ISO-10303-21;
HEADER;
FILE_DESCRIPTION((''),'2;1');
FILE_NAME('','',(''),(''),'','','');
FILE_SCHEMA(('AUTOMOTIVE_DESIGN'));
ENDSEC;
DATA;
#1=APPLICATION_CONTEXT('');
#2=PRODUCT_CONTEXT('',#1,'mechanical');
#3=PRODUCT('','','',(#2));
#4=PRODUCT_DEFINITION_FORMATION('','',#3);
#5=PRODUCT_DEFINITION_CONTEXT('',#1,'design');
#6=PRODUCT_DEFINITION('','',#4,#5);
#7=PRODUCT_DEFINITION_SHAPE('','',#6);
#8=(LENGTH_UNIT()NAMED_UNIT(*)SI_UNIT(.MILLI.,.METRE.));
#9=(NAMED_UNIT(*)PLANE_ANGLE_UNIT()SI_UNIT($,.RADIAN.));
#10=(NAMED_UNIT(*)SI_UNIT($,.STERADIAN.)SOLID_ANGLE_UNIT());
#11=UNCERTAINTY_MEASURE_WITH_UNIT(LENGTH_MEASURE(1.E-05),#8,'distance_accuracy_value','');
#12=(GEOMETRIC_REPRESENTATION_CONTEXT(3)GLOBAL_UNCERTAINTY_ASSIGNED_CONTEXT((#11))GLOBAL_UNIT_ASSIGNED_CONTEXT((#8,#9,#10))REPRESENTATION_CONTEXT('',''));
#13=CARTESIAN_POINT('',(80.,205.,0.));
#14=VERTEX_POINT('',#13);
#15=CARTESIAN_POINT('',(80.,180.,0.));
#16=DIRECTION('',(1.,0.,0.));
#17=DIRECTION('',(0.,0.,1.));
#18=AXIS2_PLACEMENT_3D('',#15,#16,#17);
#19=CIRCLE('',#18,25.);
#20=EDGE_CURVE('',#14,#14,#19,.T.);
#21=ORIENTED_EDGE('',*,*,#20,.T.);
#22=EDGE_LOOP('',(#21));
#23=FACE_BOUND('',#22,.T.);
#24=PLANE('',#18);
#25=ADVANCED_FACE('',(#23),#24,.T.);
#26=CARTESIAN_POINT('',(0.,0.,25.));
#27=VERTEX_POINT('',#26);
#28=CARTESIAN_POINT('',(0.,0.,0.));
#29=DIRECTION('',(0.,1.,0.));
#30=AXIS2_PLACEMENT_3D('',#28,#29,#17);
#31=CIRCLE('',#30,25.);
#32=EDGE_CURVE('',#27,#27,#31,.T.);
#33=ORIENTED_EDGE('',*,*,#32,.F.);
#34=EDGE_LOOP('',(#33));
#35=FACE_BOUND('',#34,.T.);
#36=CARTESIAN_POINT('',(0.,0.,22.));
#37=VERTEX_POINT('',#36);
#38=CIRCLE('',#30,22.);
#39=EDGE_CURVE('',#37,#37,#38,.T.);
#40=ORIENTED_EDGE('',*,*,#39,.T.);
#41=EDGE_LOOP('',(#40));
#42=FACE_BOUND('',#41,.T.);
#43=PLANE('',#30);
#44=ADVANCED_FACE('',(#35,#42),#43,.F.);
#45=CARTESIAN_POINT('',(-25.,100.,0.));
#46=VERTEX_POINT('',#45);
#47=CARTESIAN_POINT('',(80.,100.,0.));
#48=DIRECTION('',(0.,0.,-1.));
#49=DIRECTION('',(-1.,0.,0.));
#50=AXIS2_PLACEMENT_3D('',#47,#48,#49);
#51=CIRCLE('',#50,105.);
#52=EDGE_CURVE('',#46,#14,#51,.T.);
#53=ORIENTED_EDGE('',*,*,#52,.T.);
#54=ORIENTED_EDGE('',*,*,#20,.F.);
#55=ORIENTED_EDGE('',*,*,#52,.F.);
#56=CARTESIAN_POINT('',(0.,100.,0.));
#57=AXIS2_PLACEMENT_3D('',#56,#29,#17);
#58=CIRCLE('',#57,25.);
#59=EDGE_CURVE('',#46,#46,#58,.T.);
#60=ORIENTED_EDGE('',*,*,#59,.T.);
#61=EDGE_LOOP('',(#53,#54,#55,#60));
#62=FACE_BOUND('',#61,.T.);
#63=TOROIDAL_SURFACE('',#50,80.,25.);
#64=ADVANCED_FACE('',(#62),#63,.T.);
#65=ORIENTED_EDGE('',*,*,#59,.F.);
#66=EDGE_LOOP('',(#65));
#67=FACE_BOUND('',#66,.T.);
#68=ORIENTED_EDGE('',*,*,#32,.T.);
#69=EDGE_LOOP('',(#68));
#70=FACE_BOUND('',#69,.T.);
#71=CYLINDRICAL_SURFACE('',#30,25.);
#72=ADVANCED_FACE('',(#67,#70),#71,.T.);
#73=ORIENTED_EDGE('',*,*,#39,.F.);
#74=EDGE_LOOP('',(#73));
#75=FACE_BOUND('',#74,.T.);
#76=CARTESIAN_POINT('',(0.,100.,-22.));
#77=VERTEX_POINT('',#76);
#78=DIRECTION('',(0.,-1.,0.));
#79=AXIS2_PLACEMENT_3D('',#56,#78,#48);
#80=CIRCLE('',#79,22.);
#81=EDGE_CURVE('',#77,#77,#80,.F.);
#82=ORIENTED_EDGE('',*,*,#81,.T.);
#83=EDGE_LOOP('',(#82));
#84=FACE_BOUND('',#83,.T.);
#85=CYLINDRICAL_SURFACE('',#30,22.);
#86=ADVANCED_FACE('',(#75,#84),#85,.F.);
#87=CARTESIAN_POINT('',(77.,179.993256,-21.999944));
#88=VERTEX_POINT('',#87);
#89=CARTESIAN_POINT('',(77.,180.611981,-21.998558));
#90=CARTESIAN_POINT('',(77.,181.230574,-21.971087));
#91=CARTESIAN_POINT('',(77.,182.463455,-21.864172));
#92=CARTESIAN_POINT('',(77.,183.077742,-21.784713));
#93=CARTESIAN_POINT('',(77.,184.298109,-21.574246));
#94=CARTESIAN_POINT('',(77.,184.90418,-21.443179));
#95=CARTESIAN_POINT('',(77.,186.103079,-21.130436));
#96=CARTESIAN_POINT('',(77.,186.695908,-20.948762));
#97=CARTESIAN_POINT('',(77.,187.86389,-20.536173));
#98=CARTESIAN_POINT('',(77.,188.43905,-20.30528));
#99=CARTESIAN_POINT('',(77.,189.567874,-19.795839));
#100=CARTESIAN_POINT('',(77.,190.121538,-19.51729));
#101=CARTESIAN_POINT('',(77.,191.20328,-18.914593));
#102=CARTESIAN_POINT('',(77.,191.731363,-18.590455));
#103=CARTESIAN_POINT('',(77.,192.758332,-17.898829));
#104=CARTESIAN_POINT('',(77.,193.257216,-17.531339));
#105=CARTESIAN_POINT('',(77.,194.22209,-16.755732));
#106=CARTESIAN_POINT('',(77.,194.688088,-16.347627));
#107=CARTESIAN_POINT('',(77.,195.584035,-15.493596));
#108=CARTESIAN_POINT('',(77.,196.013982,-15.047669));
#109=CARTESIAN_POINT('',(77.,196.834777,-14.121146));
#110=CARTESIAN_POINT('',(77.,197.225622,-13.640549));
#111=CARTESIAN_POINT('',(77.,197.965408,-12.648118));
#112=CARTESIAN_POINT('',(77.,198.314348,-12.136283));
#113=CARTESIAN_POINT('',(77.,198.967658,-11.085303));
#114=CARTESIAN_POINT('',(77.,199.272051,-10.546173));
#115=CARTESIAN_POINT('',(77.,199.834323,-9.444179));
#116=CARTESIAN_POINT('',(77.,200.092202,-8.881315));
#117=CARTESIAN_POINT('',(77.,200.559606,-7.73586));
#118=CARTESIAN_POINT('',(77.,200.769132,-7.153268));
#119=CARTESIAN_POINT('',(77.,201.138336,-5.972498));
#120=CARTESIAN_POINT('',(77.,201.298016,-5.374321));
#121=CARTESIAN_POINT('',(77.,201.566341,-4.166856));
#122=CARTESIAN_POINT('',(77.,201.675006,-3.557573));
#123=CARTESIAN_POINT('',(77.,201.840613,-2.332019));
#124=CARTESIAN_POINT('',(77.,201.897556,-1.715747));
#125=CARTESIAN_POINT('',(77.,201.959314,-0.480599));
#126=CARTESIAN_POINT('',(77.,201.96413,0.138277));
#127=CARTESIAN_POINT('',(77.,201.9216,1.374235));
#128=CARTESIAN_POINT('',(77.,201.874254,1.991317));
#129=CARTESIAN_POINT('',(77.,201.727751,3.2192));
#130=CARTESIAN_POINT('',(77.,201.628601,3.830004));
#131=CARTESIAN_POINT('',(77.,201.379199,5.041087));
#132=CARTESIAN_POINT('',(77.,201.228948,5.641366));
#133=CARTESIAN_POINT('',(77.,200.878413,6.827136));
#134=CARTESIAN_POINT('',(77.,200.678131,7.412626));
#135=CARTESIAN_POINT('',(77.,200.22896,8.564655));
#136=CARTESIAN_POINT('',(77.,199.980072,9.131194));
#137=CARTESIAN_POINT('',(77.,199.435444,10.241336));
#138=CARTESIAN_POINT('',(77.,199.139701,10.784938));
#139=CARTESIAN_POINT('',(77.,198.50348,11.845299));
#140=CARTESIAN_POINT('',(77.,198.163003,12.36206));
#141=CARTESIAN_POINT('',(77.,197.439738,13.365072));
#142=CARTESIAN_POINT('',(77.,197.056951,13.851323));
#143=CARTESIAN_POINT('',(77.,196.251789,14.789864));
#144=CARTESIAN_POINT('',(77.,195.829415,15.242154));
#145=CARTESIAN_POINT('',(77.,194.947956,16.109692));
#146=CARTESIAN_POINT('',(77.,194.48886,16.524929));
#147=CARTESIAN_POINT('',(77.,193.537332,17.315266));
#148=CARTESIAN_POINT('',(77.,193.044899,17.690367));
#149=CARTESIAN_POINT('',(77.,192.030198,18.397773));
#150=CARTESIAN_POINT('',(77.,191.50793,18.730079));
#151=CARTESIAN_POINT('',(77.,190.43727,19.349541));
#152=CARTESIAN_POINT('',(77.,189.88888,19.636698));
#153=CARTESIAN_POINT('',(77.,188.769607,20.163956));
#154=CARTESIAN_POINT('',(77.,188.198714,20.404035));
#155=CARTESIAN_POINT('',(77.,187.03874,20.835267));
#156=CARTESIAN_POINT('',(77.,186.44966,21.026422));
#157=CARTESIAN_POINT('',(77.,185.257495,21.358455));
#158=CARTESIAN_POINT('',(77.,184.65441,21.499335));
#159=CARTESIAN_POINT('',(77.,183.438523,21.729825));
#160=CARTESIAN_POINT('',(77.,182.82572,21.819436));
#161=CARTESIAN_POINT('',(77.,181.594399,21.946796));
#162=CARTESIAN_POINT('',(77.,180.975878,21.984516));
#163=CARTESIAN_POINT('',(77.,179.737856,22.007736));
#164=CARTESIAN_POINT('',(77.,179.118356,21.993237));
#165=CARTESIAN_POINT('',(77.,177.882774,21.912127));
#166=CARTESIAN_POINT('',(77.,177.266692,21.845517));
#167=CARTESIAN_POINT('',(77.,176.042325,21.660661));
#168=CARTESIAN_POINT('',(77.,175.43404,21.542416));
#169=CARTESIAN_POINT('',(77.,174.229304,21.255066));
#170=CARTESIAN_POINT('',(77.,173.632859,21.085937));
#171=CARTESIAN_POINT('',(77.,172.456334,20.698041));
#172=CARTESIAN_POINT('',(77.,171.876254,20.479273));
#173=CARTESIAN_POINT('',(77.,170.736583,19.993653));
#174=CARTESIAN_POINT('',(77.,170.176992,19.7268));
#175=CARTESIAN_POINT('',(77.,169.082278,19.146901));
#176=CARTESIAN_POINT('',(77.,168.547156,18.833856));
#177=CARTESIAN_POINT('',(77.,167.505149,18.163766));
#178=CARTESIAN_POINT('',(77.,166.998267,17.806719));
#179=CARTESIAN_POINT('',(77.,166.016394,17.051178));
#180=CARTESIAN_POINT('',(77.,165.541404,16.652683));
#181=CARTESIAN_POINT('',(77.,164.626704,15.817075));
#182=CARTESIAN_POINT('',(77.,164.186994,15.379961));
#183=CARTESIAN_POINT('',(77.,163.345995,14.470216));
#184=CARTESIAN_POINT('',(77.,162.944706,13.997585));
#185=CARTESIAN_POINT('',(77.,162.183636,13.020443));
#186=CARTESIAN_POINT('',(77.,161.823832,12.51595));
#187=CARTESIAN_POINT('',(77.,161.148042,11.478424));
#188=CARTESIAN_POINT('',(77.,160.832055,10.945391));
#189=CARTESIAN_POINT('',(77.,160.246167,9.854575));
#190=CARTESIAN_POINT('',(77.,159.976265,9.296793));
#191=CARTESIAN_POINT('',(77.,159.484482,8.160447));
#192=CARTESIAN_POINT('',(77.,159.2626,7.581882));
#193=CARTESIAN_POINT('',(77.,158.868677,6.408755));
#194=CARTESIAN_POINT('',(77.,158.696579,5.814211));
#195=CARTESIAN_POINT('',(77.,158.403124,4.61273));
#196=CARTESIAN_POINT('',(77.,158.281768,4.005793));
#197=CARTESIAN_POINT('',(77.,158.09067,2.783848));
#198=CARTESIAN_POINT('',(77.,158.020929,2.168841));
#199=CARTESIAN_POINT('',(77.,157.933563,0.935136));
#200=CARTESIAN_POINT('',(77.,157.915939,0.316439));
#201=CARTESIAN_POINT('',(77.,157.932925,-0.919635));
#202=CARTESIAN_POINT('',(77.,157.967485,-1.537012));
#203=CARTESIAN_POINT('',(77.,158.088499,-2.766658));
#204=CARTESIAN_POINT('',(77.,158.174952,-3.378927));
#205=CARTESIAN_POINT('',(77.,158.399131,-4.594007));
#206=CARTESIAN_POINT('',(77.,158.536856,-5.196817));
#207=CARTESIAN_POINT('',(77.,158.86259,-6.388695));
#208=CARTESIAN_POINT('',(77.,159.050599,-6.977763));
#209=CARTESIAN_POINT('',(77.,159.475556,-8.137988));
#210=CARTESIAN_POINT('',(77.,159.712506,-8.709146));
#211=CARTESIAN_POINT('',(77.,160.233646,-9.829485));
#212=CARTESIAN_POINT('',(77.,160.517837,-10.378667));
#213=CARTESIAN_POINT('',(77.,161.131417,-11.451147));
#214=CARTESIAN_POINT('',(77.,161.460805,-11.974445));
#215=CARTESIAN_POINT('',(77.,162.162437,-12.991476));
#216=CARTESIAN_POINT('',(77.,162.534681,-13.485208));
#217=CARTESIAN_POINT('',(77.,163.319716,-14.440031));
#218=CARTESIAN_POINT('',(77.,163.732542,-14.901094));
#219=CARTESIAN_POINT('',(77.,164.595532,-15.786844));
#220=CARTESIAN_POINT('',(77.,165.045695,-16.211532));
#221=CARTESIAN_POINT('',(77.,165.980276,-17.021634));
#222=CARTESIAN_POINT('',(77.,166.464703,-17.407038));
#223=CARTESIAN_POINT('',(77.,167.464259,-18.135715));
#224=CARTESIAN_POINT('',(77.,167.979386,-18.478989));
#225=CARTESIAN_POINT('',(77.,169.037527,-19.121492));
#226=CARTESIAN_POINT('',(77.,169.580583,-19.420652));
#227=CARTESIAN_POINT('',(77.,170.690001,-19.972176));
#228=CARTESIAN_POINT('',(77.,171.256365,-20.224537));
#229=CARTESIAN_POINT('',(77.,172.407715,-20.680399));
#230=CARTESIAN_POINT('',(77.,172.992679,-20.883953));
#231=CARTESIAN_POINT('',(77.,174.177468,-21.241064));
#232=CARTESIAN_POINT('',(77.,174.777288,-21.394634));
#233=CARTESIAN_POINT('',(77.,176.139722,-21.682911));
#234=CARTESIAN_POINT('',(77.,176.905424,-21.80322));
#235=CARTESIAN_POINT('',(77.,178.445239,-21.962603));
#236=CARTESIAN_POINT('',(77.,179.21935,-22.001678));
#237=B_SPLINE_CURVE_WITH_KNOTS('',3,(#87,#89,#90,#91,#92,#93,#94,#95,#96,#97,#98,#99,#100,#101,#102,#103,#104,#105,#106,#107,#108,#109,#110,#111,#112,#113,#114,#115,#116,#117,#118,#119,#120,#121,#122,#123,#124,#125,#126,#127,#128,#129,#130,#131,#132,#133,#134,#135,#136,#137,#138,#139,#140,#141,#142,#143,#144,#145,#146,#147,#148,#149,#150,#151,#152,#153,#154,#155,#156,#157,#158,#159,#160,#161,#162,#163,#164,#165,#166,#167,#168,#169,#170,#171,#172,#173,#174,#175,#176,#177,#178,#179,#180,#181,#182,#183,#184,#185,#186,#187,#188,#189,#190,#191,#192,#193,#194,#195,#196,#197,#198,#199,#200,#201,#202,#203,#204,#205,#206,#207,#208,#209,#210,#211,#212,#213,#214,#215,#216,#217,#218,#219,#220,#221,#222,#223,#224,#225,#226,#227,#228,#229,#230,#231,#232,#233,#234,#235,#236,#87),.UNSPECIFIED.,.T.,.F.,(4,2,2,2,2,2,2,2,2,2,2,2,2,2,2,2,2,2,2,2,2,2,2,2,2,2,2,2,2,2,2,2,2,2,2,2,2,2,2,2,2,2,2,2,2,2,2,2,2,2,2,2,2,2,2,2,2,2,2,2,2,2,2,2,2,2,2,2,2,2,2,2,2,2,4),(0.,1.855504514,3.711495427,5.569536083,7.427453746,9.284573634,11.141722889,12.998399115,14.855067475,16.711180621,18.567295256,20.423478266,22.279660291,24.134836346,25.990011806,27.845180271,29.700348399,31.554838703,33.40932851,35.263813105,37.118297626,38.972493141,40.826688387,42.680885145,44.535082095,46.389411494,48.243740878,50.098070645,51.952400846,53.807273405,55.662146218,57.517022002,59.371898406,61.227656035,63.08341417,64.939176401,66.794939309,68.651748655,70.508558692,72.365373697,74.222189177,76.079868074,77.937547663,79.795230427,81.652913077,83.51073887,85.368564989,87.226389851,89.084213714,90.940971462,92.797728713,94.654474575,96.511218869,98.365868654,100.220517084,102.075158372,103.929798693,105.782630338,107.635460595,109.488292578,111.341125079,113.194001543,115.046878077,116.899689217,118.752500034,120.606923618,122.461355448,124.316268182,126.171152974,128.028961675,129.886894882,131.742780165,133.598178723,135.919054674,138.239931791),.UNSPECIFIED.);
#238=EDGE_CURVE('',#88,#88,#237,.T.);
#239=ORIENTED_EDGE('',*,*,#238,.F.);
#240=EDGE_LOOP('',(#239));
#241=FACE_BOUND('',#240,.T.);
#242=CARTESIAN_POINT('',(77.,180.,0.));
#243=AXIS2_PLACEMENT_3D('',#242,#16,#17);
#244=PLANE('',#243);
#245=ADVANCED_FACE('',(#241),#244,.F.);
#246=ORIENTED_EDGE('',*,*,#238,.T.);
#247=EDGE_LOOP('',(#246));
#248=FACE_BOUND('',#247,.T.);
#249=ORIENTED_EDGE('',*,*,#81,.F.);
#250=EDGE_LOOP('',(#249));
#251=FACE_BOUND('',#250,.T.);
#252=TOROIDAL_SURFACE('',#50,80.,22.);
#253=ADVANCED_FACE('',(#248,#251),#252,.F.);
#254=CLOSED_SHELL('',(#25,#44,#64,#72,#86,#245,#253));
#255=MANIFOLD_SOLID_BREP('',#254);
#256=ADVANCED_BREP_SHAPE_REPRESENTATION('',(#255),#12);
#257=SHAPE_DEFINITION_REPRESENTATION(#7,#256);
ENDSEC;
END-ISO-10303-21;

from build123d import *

# Parameters (mm, degrees)
SKETCH2_R = 25
SHELL1_T  = -3


with BuildPart() as part:
    # Sweep1: sweep along a path in Sketch1
    with BuildLine(Plane.XY) as sweep1_path:
        Line((0, 0), (0, 100))
        ThreePointArc((0, 100), (23.431457505, 156.568542495), (80, 180))
    # Sketch2 → Sweep1 (sweep)
    with BuildSketch(Plane(origin=(0, 0, 0), x_dir=(1, 0, 0), z_dir=(0, 1, 0))):
        Circle(SKETCH2_R)
    sweep(path=sweep1_path.line)

    # Shell1
    shell1_openings = [part.faces().sort_by_distance(p)[0] for p in [
        (0, 0, 0),
    ]]
    offset(amount=SHELL1_T, openings=shell1_openings, kind=Kind.INTERSECTION)


solid = part.part
